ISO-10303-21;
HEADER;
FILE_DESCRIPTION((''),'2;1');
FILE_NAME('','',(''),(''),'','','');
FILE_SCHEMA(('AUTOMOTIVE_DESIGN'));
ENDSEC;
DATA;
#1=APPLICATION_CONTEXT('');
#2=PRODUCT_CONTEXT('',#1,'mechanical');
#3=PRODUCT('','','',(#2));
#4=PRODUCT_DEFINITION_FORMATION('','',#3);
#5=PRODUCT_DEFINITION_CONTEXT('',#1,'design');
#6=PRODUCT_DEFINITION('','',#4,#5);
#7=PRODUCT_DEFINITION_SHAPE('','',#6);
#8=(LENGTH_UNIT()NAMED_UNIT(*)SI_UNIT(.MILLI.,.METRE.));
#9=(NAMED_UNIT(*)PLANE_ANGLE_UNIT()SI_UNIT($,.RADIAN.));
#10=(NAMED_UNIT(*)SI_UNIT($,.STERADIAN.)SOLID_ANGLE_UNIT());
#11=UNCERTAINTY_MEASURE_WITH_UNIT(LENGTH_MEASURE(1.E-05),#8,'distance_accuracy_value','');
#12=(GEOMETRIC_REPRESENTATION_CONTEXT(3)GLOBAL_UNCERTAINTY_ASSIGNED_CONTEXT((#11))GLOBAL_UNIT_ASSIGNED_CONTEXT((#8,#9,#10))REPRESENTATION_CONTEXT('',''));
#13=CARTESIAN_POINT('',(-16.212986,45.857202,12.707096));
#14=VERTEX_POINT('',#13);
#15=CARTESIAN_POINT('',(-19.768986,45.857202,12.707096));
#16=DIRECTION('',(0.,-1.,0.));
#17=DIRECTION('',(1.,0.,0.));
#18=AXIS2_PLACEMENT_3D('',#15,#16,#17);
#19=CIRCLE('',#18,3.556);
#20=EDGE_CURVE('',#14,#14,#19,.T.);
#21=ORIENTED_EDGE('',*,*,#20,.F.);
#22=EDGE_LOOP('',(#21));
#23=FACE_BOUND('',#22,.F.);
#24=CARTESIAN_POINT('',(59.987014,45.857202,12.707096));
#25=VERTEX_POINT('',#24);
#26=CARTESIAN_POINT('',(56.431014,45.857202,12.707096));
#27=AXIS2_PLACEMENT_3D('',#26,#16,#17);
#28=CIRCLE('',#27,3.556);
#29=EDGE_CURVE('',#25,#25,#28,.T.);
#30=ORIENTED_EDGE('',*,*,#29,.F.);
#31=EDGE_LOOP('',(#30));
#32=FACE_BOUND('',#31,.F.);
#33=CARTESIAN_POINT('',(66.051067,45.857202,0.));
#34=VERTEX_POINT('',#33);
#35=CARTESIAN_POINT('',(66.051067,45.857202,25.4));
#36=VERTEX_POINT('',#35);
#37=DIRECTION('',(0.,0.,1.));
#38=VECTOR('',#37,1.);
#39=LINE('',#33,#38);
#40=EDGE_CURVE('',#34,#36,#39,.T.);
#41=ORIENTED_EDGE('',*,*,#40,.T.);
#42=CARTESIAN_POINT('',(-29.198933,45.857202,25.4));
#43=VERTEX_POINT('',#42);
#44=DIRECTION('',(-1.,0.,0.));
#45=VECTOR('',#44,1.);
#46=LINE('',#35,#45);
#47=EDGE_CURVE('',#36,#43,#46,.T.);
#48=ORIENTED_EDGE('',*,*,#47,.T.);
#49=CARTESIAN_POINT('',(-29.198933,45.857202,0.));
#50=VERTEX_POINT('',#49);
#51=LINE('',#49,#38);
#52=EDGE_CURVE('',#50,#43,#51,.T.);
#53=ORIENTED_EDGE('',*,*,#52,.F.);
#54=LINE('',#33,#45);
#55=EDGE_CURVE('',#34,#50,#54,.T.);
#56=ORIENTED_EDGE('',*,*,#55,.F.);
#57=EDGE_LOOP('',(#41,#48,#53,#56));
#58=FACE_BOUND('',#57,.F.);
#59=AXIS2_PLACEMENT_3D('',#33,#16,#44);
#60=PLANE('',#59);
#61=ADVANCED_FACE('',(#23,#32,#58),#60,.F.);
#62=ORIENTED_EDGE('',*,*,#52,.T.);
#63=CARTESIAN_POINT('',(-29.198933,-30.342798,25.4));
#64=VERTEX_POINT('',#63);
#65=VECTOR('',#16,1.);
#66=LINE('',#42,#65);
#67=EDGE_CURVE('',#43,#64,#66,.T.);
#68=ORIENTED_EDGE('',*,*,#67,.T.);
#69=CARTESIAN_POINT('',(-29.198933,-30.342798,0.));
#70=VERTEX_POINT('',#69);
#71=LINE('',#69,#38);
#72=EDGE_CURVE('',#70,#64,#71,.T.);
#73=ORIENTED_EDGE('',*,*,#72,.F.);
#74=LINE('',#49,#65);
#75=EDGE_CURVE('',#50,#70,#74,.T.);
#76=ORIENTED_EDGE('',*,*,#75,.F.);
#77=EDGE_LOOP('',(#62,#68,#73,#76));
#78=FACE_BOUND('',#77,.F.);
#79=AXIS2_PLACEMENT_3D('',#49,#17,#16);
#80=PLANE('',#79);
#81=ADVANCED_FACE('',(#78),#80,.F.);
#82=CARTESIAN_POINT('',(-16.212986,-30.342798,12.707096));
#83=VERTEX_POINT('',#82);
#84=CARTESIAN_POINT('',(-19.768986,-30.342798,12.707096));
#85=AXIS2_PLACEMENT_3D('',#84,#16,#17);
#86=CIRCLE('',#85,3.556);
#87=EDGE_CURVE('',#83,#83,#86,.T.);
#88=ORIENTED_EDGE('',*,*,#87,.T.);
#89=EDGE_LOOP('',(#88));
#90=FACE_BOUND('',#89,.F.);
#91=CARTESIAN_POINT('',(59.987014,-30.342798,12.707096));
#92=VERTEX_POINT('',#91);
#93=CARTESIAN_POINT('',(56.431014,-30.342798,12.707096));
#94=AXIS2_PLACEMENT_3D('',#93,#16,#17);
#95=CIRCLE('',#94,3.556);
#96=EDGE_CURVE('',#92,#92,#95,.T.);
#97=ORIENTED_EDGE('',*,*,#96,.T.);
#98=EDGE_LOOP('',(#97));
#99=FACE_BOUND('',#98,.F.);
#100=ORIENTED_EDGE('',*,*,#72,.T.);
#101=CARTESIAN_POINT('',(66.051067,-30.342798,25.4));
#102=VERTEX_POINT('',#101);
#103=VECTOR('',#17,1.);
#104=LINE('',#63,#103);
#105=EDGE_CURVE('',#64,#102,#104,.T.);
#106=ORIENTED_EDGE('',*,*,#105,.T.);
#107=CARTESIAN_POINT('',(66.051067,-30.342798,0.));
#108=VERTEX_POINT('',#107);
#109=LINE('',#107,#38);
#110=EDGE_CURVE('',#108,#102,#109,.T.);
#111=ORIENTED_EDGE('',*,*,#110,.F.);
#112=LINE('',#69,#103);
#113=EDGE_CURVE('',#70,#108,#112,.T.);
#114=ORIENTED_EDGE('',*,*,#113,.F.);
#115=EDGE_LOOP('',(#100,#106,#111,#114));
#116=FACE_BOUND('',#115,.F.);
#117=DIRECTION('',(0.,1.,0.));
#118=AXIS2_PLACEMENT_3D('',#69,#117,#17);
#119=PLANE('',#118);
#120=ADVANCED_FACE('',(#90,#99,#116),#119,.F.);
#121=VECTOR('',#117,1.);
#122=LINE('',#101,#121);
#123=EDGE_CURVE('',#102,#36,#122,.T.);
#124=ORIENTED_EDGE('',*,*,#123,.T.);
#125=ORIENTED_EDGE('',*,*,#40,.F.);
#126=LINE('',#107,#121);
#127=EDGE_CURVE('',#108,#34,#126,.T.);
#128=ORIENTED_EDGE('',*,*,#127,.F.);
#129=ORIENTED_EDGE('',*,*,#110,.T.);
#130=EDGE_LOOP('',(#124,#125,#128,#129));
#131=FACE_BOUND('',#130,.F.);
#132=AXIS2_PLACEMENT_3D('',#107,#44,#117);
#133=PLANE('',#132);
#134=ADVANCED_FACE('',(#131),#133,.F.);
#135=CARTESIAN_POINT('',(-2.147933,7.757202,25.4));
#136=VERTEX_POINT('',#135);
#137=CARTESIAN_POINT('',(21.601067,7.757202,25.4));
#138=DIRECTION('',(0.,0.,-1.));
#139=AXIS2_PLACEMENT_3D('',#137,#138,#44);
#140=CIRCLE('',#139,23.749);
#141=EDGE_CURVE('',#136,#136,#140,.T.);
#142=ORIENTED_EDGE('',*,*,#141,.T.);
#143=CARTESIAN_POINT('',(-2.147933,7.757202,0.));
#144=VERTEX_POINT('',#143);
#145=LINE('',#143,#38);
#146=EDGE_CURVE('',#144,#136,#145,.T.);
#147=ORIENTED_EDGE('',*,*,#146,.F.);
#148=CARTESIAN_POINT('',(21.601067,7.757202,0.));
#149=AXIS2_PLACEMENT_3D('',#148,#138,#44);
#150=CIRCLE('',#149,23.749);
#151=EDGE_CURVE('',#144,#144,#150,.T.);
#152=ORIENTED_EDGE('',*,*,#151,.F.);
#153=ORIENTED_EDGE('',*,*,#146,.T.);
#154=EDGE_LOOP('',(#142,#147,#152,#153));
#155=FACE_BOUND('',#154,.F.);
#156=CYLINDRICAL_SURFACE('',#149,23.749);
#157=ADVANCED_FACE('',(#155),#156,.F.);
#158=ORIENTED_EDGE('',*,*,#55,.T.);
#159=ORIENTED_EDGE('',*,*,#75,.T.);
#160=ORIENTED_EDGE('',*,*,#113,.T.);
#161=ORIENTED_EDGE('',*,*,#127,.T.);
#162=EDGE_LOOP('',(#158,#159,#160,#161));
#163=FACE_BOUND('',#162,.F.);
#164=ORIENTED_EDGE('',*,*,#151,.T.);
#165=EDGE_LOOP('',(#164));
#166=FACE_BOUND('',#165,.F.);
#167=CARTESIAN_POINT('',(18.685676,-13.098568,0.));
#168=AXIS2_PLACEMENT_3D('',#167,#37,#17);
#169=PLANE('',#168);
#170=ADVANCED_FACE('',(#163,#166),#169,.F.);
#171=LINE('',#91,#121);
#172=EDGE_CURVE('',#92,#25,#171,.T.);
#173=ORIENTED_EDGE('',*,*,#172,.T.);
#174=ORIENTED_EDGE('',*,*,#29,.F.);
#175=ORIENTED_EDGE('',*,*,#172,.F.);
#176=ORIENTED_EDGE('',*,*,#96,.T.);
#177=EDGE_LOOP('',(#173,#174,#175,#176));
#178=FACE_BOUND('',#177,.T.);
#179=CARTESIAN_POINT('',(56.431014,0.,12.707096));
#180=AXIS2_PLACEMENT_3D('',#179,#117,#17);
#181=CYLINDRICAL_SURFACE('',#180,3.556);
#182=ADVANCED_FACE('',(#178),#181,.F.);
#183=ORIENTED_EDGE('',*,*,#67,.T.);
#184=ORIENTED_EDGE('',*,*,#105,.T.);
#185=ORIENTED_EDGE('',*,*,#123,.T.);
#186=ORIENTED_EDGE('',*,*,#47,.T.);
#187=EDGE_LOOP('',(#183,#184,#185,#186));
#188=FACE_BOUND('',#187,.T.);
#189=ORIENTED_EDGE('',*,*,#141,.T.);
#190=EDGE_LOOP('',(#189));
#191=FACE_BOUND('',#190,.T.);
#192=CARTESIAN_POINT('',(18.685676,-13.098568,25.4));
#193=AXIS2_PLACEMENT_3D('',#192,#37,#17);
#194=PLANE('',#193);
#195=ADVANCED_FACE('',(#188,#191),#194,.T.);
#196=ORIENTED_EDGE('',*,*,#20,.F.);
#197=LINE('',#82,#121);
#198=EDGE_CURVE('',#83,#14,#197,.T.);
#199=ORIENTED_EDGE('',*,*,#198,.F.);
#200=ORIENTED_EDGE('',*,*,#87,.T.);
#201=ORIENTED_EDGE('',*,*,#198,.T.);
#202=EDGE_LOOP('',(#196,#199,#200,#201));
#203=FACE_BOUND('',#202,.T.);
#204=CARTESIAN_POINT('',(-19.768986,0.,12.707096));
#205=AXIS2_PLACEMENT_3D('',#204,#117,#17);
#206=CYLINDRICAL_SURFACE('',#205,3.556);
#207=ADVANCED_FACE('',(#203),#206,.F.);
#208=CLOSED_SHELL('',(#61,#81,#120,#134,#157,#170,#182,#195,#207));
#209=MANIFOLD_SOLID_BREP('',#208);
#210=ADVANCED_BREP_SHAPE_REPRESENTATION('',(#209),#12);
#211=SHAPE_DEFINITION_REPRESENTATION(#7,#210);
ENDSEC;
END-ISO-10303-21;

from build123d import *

# Parameters (mm, degrees)
F1_DEPTH  = 25.4
F2_R      = 3.556
F3_DEPTH  = 30.342798
F3_FACE_R = 3.556
F4_DEPTH  = 45.857202


with BuildPart() as f1:
    # F0 (on Top) → F1 (new body)
    with BuildSketch(Plane.XY):
        with BuildLine():
            Line((-2.147933, 7.757202), (-29.198933, 7.757202))
            Line((-29.198933, 7.757202), (-29.198933, -30.342798))
            Line((-29.198933, -30.342798), (66.051067, -30.342798))
            Line((66.051067, -30.342798), (66.051067, 7.757202))
            Line((66.051067, 7.757202), (45.350067, 7.757202))
            ThreePointArc((45.350067, 7.757202), (21.601067, -15.991798), (-2.147933, 7.757202))
        make_face()
        with BuildLine():
            Line((66.051067, 45.857202), (-29.198933, 45.857202))
            Line((-29.198933, 45.857202), (-29.198933, 7.757202))
            Line((-29.198933, 7.757202), (-2.147933, 7.757202))
            ThreePointArc((-2.147933, 7.757202), (21.601067, 31.506202), (45.350067, 7.757202))
            Line((45.350067, 7.757202), (66.051067, 7.757202))
            Line((66.051067, 7.757202), (66.051067, 45.857202))
        make_face()
    extrude(amount=F1_DEPTH)

    # F2 (on Front) → F3 (cut, through all)
    with BuildSketch(Plane.XZ):
        with Locations((-19.768986, 12.707096)):
            Circle(F2_R)
        with Locations((56.431014, 12.707096)):
            Circle(F2_R)
    extrude(amount=F3_DEPTH, mode=Mode.SUBTRACT)

    # F3_face (on face) → F4 (cut, through all)
    with BuildSketch(Plane(origin=(-19.768986, 0, 12.707096), x_dir=(1, 0, 0), z_dir=(0, -1, 0))):
        Circle(F3_FACE_R)
        with Locations((76.2, 0)):
            Circle(F3_FACE_R)
    extrude(amount=-F4_DEPTH, mode=Mode.SUBTRACT)


solid = f1.part
